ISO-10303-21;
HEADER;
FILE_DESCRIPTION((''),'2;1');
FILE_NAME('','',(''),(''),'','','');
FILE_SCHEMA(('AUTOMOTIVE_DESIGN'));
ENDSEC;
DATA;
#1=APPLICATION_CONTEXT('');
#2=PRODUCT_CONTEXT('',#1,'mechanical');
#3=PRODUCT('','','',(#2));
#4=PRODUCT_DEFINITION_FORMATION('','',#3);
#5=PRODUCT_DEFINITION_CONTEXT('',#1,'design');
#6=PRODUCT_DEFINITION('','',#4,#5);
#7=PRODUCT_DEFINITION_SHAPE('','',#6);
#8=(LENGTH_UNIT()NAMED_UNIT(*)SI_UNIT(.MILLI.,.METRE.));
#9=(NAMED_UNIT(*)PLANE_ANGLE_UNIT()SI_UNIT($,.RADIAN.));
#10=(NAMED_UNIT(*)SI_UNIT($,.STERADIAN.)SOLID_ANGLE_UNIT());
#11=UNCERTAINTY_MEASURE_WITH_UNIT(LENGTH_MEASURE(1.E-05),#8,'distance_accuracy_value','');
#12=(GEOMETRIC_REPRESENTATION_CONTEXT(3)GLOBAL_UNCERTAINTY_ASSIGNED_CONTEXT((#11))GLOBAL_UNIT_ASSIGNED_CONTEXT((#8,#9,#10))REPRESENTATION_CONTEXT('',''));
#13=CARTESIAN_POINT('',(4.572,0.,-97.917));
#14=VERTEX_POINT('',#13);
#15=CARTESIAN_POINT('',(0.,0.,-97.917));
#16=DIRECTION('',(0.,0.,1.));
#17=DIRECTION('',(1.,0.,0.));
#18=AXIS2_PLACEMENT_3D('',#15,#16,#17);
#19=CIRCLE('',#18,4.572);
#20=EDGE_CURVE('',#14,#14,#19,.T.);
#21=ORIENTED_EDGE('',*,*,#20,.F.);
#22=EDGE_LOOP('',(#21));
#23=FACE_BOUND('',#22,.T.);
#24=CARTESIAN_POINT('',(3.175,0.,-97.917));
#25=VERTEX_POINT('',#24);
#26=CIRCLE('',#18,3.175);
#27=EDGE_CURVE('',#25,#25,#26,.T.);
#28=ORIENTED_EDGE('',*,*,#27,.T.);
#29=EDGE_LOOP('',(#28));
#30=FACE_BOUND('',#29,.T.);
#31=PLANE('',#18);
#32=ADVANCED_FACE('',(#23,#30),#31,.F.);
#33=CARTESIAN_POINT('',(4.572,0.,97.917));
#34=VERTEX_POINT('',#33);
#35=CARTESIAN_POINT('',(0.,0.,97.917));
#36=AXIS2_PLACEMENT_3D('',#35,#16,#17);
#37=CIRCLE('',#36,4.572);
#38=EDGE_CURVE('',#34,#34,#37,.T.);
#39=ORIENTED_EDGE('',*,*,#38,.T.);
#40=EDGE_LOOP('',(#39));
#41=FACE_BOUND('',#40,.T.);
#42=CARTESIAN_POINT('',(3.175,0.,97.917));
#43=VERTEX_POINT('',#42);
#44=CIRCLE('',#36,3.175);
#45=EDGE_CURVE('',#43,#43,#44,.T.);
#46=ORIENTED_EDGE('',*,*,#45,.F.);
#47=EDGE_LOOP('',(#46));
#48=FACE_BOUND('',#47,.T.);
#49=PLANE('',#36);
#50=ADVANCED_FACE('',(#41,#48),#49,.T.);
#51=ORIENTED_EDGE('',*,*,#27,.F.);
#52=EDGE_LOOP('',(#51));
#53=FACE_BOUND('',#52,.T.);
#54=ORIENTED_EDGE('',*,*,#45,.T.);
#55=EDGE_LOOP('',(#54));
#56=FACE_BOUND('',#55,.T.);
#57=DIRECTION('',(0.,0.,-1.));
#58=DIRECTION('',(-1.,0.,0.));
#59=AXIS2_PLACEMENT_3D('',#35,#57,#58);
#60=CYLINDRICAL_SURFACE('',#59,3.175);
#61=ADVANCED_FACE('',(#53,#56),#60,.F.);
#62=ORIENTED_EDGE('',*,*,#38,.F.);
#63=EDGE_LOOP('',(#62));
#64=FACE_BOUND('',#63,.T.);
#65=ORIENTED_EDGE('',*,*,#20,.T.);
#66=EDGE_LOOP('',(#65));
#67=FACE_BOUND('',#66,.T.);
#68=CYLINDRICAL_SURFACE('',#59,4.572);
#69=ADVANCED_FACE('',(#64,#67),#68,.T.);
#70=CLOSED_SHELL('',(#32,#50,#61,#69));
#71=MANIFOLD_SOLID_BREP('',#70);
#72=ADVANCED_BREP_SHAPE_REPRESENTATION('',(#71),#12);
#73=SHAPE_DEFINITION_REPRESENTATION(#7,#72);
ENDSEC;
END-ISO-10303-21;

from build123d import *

# Parameters (mm, degrees)
BOSS_EXTRUDE1_DEPTH      = 97.917
BOSS_EXTRUDE1_DEPTH_BACK = 97.917
SKETCH3_R                = 4.572
SKETCH3_R_2              = 3.175


with BuildPart() as part:
    # Sketch3 → Boss-Extrude1 (new, two sides: drawn at the far end of the back side and taken through both)
    with BuildSketch(Plane.XY.offset(-BOSS_EXTRUDE1_DEPTH_BACK)):
        Circle(SKETCH3_R)
        Circle(SKETCH3_R_2, mode=Mode.SUBTRACT)
    extrude(amount=BOSS_EXTRUDE1_DEPTH + BOSS_EXTRUDE1_DEPTH_BACK)


solid = part.part
